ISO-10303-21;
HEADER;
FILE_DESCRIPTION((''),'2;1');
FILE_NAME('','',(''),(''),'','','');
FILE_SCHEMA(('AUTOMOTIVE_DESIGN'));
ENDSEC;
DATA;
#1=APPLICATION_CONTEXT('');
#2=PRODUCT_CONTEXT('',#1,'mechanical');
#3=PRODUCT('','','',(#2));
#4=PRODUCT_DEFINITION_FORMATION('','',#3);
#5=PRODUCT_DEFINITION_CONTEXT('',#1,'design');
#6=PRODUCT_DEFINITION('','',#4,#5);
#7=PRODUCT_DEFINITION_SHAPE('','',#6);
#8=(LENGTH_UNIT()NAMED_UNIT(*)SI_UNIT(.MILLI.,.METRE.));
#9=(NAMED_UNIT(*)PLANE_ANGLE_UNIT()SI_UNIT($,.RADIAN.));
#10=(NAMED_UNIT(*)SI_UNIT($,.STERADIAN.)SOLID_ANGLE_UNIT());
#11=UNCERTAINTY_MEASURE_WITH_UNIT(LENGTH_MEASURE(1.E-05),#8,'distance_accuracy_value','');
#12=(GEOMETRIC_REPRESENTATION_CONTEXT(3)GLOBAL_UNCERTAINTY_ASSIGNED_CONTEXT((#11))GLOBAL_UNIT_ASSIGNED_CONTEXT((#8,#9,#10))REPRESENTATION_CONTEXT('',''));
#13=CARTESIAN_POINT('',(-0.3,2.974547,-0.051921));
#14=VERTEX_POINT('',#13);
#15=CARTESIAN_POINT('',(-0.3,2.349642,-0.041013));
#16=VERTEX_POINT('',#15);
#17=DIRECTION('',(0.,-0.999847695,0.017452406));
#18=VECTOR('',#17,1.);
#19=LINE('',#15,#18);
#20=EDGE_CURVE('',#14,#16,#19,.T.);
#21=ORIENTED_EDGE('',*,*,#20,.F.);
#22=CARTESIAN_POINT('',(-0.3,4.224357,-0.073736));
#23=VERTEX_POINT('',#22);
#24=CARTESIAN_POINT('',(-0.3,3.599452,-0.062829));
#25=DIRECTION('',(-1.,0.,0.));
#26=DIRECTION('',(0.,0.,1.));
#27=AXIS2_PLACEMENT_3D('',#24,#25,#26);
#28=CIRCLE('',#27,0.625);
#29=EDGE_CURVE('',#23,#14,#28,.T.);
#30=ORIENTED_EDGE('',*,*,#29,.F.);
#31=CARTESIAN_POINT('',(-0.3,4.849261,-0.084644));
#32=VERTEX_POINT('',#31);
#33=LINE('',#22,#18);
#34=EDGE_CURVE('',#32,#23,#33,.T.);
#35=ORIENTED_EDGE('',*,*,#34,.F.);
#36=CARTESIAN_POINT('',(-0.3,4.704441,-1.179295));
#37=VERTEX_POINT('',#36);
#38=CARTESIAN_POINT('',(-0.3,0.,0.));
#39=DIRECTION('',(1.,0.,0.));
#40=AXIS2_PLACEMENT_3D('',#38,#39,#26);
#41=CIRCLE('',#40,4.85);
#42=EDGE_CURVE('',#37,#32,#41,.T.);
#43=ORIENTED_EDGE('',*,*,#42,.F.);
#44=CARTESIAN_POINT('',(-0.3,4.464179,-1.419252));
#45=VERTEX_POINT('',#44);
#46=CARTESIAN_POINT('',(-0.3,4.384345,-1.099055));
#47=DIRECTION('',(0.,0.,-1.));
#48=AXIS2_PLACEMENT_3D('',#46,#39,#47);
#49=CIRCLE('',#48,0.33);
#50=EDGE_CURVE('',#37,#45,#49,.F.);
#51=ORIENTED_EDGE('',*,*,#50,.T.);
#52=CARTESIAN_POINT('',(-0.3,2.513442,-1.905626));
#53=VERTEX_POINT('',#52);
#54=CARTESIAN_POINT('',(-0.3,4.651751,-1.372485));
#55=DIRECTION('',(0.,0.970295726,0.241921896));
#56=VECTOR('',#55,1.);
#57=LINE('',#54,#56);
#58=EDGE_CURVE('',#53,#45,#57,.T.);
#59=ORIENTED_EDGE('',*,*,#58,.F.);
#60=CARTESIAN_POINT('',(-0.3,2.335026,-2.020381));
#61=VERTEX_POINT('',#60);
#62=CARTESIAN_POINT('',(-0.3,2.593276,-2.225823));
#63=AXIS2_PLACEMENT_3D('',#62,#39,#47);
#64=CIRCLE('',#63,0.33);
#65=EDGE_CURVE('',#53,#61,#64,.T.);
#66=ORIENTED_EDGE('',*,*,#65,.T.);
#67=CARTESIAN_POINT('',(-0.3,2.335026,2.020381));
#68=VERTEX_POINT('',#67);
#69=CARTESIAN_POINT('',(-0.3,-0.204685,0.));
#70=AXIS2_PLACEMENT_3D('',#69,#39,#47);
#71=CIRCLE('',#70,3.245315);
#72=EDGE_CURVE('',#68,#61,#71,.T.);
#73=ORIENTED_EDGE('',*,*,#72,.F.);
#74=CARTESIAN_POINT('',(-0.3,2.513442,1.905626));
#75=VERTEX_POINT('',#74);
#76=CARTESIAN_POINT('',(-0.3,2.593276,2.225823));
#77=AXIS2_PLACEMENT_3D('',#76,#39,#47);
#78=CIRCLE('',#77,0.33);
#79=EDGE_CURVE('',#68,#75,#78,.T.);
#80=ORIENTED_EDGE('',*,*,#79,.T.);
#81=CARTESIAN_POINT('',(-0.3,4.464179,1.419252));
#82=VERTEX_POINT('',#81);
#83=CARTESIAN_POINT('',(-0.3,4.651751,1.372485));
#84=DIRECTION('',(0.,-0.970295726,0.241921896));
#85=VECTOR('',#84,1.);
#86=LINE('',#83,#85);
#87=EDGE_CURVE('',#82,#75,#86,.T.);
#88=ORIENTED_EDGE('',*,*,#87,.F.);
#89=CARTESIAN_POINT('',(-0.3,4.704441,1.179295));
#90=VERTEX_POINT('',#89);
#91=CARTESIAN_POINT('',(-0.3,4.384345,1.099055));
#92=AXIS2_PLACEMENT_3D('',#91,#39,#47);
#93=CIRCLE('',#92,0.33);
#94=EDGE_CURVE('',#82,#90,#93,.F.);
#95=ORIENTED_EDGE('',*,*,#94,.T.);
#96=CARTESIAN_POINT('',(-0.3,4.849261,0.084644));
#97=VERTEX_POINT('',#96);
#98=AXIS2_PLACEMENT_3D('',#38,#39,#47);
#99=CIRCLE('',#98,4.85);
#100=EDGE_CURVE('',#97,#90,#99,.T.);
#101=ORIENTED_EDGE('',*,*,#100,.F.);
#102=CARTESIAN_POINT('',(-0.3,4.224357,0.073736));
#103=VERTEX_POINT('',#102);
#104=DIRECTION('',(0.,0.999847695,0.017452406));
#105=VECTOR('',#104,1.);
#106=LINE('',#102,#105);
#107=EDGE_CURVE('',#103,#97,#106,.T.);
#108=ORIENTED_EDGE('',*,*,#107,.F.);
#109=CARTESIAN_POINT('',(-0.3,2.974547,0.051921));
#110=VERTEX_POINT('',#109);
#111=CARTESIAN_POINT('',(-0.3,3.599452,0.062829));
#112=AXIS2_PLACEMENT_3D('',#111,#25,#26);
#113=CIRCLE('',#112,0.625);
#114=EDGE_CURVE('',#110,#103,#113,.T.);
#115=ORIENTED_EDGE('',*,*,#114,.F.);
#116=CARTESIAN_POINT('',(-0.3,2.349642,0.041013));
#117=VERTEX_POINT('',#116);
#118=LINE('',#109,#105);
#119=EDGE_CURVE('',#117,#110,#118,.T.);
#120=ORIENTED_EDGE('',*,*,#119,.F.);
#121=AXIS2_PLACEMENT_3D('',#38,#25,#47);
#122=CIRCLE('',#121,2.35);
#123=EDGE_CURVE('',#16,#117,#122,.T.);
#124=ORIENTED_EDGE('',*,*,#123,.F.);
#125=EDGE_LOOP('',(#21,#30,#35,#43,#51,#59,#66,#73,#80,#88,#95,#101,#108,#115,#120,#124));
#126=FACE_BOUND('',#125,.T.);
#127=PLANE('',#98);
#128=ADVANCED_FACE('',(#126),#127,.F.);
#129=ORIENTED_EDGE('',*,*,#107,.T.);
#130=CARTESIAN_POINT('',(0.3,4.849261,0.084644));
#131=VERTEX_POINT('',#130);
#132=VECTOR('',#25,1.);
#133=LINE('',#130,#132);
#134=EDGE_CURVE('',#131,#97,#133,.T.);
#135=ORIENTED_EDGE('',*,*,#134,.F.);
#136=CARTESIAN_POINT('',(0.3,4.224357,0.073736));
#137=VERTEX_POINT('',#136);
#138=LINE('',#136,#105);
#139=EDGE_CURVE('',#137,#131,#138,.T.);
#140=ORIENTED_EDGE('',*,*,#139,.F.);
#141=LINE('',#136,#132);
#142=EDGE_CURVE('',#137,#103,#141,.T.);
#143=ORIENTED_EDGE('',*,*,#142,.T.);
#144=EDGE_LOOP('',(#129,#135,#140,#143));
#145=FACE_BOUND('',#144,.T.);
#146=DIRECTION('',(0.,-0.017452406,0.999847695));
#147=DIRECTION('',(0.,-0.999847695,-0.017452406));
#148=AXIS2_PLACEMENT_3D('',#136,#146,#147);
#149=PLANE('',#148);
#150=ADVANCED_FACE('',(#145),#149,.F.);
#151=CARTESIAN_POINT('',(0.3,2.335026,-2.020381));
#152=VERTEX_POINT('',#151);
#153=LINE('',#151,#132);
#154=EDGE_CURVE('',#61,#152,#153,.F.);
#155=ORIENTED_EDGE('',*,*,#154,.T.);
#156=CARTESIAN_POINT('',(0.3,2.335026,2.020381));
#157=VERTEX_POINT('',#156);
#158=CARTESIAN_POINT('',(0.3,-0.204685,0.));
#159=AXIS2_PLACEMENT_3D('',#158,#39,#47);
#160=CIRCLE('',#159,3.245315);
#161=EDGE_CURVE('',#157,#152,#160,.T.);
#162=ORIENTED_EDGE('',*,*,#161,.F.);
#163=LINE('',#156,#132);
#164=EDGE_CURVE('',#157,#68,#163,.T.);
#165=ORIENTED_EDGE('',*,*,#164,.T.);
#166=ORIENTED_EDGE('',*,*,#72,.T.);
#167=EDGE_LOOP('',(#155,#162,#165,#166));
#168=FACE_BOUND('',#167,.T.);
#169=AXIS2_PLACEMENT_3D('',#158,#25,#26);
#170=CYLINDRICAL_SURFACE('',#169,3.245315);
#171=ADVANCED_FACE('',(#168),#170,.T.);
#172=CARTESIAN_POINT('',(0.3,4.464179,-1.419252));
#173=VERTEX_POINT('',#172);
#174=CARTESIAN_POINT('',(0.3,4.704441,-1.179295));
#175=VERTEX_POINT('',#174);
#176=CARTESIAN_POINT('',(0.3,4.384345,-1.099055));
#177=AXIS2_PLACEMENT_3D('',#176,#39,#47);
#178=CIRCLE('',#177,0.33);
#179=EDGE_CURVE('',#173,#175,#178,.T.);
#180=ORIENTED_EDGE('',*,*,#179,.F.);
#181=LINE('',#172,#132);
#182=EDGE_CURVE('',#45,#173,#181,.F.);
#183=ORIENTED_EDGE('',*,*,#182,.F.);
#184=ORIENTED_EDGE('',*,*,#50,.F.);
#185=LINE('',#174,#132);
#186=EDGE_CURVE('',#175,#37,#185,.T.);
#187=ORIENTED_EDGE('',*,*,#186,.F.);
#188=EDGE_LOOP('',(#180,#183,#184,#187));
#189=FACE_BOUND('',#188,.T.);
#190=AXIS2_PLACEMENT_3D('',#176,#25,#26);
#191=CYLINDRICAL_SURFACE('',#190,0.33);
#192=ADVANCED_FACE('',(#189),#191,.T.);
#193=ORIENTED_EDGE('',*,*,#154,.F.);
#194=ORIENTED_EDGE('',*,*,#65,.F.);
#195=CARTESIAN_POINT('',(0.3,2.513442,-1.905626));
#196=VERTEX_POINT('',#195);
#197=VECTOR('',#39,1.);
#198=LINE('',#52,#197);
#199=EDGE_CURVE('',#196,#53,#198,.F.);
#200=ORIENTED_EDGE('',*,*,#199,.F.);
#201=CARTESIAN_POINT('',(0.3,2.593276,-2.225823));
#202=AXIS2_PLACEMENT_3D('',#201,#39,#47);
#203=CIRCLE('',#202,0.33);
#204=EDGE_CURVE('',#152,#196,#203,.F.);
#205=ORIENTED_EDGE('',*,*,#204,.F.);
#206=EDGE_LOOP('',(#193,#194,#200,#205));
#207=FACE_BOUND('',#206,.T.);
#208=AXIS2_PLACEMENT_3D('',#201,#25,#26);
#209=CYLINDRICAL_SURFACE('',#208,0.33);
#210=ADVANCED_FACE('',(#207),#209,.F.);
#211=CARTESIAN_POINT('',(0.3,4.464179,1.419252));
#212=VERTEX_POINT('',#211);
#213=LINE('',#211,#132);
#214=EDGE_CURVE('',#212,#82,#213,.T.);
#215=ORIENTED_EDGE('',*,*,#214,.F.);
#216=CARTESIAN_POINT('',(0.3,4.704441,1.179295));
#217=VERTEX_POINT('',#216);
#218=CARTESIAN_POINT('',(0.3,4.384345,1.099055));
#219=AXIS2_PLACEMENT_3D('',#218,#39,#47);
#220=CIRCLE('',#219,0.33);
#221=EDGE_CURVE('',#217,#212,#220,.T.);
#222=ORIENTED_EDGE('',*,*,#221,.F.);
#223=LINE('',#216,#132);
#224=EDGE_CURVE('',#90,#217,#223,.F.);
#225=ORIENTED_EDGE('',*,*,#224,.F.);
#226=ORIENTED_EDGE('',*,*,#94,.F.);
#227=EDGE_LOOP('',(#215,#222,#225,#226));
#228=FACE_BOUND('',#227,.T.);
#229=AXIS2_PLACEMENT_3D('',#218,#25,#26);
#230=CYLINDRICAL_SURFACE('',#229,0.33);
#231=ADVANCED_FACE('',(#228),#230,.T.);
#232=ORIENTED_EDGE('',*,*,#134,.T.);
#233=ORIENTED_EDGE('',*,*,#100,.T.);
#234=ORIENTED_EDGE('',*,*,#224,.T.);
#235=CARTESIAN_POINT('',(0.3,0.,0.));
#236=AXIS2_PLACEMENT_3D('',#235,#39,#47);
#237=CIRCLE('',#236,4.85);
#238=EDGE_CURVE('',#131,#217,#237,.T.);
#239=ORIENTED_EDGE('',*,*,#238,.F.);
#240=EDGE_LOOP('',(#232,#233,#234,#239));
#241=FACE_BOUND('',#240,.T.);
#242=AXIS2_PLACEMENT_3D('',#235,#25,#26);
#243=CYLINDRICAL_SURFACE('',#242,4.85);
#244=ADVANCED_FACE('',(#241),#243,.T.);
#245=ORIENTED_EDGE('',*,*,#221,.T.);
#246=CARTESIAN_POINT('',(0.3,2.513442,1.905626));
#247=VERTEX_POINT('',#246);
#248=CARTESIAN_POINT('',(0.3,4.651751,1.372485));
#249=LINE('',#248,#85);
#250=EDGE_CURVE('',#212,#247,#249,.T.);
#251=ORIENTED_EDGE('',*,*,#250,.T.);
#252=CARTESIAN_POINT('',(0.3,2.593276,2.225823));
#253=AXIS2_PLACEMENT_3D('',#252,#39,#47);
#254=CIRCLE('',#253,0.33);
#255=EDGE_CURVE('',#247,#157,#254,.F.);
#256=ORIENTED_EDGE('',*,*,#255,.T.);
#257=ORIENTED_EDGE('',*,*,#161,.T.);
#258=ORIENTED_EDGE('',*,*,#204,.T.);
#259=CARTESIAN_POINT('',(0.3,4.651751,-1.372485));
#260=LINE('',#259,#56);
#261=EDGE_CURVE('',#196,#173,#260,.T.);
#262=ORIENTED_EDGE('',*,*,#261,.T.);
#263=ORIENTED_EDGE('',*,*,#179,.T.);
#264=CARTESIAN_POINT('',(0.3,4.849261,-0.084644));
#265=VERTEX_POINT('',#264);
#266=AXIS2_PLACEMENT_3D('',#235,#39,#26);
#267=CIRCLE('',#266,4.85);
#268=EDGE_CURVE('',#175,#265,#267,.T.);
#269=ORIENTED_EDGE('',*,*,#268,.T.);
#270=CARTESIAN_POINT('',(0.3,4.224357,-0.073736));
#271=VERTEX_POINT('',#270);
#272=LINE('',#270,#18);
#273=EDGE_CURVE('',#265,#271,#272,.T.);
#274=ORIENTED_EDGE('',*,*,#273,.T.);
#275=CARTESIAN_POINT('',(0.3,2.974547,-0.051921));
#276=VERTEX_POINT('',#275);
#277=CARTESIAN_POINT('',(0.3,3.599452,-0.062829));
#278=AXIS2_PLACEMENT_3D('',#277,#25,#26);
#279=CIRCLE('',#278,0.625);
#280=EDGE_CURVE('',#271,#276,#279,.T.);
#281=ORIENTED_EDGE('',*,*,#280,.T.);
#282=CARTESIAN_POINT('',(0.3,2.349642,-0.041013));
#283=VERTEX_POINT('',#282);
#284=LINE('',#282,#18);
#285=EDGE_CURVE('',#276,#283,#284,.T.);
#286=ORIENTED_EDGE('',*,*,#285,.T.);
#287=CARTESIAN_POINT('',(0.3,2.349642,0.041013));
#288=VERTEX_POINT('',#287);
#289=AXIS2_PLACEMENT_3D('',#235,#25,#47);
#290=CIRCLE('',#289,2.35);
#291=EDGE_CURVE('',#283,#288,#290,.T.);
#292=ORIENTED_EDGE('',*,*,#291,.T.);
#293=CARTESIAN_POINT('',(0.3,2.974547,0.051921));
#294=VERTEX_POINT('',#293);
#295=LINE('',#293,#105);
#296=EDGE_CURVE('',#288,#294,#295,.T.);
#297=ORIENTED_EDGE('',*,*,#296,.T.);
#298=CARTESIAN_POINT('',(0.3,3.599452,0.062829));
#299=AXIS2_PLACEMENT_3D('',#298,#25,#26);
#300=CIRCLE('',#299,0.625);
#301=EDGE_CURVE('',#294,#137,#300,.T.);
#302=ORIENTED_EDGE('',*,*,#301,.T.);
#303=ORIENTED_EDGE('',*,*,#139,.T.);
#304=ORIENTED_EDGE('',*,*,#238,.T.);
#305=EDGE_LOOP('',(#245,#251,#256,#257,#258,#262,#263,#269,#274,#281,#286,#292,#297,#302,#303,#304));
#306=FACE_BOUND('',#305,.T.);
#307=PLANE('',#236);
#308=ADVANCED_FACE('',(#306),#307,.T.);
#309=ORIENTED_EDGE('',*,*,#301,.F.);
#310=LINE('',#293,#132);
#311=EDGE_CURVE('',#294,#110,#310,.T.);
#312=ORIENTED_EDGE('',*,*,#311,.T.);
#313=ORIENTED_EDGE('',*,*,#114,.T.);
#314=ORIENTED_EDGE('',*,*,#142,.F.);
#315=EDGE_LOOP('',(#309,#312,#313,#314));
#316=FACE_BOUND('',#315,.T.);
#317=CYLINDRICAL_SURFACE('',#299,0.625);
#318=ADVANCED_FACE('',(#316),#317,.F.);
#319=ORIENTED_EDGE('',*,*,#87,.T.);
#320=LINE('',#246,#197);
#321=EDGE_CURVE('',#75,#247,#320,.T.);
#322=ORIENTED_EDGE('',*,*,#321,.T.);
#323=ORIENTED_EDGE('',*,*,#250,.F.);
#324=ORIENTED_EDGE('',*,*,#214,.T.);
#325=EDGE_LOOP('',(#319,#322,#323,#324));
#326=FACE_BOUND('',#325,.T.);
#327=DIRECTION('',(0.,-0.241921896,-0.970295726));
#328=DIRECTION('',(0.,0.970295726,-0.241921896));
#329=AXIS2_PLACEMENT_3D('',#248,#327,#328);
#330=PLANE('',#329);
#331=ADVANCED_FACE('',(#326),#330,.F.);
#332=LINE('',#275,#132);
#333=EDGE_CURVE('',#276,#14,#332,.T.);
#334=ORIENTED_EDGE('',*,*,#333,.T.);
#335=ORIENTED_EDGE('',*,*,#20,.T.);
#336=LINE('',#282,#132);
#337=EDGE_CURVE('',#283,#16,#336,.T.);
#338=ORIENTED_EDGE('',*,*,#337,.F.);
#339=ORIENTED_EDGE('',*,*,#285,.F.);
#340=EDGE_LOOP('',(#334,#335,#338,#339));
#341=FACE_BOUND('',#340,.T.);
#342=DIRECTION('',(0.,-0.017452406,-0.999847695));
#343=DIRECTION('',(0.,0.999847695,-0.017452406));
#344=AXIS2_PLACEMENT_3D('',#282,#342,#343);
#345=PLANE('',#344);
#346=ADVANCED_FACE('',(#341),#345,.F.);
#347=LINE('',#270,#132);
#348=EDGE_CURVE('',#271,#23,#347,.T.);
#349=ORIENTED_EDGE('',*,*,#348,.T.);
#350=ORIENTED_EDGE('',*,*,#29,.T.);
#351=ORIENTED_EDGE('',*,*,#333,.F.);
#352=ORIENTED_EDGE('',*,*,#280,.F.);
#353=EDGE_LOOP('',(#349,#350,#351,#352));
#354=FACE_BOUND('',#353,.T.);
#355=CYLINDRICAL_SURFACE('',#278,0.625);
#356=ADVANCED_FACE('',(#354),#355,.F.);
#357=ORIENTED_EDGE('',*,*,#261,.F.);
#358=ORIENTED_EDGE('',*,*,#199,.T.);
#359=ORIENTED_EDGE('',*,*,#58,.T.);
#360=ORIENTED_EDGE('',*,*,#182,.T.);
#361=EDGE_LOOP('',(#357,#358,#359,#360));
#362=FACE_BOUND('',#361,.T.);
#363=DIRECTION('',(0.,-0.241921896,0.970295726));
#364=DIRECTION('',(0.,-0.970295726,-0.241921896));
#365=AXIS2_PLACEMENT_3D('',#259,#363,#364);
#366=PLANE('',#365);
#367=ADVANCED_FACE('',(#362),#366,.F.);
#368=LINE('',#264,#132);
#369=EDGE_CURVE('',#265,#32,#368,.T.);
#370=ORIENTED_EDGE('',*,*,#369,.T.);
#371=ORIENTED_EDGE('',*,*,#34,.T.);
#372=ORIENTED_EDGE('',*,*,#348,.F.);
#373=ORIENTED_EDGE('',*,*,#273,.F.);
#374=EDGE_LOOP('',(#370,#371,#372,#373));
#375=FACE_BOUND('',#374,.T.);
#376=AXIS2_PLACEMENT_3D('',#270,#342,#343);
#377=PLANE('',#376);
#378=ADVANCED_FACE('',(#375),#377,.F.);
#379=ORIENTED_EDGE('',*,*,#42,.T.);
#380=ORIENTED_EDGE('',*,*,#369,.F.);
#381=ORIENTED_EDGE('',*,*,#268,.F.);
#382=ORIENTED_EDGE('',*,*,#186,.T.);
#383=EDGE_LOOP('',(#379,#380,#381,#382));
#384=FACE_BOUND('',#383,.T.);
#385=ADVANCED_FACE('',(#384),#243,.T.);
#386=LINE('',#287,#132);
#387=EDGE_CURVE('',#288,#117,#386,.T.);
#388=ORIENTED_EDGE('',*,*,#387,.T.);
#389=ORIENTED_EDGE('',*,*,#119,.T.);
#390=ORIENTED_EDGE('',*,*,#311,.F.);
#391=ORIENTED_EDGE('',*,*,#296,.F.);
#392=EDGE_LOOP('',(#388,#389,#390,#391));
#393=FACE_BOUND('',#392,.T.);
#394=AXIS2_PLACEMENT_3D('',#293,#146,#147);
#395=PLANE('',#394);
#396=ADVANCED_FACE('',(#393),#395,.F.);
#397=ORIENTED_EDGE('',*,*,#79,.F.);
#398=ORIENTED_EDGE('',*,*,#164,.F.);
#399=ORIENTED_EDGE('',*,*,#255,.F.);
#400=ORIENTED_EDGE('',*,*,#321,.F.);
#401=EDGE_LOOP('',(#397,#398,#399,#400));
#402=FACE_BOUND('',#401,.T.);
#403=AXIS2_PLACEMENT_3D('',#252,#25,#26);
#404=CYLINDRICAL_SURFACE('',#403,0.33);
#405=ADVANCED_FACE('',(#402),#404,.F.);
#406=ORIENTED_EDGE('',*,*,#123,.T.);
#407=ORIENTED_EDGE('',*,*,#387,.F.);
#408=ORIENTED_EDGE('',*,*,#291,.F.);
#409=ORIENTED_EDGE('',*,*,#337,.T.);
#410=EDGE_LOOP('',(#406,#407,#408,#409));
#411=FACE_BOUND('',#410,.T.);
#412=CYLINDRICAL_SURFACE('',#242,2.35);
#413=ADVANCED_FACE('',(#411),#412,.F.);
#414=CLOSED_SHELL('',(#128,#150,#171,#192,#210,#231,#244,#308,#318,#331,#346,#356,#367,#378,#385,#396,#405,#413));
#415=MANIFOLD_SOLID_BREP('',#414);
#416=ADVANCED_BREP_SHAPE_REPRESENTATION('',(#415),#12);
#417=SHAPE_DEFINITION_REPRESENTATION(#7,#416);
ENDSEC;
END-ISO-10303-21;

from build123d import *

# Parameters (mm, degrees)
EXTRUDE1_DEPTH = 0.3
FILLET1_R      = 0.33


with BuildPart() as part:
    # Sketch1 → Extrude1 (new, symmetric)
    with BuildSketch(Plane(origin=(0, 0, 0), x_dir=(0, 0, -1), z_dir=(1, 0, 0))):
        with BuildLine():
            Line((0.041013155, 2.349642084), (0.051920909, 2.974546893))
            ThreePointArc((0.051920909, 2.974546893), (0.687733473, 3.588543949), (0.073736417, 4.224356512))
            Line((0.073736417, 4.224356512), (0.084644171, 4.849261322))
            ThreePointArc((0.084644171, 4.849261322), (0.735227318, 4.793948351), (1.372485325, 4.651750642))
            Line((1.372485325, 4.651750642), (1.933459099, 2.401807727))
            ThreePointArc((1.933459099, 2.401807727), (0, -3.45), (-1.933459099, 2.401807727))
            Line((-1.933459099, 2.401807727), (-1.372485325, 4.651750642))
            ThreePointArc((-1.372485325, 4.651750642), (-0.735227318, 4.793948351), (-0.084644171, 4.849261322))
            Line((-0.084644171, 4.849261322), (-0.073736417, 4.224356512))
            ThreePointArc((-0.073736417, 4.224356512), (-0.687733473, 3.588543949), (-0.051920909, 2.974546893))
            Line((-0.051920909, 2.974546893), (-0.041013155, 2.349642084))
            ThreePointArc((-0.041013155, 2.349642084), (0, -2.35), (0.041013155, 2.349642084))
        make_face()
    extrude(amount=EXTRUDE1_DEPTH, both=True)

    # Fillet1
    fillet1_edges = [part.edges().sort_by_distance(p)[0] for p in [
        (0, 4.651750642, -1.372485325),
        (0, 2.401807727, -1.933459099),
        (0, 2.401807727, 1.933459099),
        (0, 4.651750642, 1.372485325),
    ]]
    fillet(fillet1_edges, radius=FILLET1_R)


solid = part.part
